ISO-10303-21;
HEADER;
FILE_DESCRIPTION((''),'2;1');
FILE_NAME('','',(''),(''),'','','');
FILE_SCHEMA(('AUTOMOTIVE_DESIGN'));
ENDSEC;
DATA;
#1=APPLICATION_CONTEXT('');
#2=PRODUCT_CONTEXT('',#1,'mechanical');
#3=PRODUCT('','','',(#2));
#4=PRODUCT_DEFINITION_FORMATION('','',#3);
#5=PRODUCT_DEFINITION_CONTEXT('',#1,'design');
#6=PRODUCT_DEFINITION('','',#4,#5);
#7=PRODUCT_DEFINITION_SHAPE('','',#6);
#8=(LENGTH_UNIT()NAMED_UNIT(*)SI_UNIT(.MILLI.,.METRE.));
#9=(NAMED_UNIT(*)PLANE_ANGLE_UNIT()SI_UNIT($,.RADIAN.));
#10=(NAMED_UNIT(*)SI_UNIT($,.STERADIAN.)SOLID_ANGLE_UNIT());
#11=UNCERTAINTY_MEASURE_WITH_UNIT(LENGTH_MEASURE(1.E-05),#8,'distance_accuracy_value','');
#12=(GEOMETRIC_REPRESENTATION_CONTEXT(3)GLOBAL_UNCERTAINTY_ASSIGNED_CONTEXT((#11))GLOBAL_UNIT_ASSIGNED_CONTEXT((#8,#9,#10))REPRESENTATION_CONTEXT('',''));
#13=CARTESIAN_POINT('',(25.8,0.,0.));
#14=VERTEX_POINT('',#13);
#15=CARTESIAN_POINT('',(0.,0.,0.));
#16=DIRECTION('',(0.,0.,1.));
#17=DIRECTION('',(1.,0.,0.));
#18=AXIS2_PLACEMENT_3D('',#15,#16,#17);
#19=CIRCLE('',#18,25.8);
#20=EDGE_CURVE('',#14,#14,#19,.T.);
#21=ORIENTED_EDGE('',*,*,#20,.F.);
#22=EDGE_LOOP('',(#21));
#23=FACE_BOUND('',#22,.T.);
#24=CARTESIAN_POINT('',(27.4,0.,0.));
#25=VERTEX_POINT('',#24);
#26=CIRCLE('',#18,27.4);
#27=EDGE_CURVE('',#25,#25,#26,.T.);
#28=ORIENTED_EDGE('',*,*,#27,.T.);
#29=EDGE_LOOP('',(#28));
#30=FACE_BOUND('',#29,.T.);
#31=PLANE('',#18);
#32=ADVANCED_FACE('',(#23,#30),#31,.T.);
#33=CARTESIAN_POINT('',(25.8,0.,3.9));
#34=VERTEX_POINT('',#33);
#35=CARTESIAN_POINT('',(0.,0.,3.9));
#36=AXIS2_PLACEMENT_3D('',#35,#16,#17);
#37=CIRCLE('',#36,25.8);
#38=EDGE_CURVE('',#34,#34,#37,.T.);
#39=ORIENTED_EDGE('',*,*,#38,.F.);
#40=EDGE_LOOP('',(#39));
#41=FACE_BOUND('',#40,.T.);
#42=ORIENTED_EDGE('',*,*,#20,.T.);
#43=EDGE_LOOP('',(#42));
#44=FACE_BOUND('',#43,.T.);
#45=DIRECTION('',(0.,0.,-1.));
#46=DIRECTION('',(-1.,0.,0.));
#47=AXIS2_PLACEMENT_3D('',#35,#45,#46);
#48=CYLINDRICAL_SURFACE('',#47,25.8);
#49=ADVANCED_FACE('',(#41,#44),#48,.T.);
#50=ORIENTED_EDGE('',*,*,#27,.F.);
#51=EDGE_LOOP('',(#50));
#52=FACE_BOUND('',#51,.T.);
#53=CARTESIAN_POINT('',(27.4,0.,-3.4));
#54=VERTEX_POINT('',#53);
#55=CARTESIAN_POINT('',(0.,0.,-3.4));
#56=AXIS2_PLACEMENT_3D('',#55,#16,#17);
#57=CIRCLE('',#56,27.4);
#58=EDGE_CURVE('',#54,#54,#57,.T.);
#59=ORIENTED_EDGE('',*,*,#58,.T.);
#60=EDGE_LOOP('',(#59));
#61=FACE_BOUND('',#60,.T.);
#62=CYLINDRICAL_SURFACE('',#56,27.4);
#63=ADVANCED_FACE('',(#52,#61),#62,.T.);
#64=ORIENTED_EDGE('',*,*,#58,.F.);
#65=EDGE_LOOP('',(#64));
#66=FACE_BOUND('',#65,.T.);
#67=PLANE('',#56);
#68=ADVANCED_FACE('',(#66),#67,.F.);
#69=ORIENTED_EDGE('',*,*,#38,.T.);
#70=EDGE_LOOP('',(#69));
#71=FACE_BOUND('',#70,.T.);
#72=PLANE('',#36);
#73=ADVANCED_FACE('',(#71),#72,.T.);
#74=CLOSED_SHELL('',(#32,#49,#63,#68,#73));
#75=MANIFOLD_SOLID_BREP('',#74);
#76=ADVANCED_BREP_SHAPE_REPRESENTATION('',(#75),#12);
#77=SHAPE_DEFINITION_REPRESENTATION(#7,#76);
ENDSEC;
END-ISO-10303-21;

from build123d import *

# Parameters (mm, degrees)
SKETCH_1_R      = 27.4
EXTRUDE_1_DEPTH = 3.4
SKETCH_2_R      = 25.8
EXTRUDE_2_DEPTH = 3.9


with BuildPart() as part:
    # 草图1 → 凸台-拉伸1 (new body)
    with BuildSketch(Plane.XY):
        Circle(SKETCH_1_R)
    extrude(amount=-EXTRUDE_1_DEPTH)

    # 草图2 → 凸台-拉伸2 (add)
    with BuildSketch(Plane.XY):
        Circle(SKETCH_2_R)
    extrude(amount=EXTRUDE_2_DEPTH)


solid = part.part
